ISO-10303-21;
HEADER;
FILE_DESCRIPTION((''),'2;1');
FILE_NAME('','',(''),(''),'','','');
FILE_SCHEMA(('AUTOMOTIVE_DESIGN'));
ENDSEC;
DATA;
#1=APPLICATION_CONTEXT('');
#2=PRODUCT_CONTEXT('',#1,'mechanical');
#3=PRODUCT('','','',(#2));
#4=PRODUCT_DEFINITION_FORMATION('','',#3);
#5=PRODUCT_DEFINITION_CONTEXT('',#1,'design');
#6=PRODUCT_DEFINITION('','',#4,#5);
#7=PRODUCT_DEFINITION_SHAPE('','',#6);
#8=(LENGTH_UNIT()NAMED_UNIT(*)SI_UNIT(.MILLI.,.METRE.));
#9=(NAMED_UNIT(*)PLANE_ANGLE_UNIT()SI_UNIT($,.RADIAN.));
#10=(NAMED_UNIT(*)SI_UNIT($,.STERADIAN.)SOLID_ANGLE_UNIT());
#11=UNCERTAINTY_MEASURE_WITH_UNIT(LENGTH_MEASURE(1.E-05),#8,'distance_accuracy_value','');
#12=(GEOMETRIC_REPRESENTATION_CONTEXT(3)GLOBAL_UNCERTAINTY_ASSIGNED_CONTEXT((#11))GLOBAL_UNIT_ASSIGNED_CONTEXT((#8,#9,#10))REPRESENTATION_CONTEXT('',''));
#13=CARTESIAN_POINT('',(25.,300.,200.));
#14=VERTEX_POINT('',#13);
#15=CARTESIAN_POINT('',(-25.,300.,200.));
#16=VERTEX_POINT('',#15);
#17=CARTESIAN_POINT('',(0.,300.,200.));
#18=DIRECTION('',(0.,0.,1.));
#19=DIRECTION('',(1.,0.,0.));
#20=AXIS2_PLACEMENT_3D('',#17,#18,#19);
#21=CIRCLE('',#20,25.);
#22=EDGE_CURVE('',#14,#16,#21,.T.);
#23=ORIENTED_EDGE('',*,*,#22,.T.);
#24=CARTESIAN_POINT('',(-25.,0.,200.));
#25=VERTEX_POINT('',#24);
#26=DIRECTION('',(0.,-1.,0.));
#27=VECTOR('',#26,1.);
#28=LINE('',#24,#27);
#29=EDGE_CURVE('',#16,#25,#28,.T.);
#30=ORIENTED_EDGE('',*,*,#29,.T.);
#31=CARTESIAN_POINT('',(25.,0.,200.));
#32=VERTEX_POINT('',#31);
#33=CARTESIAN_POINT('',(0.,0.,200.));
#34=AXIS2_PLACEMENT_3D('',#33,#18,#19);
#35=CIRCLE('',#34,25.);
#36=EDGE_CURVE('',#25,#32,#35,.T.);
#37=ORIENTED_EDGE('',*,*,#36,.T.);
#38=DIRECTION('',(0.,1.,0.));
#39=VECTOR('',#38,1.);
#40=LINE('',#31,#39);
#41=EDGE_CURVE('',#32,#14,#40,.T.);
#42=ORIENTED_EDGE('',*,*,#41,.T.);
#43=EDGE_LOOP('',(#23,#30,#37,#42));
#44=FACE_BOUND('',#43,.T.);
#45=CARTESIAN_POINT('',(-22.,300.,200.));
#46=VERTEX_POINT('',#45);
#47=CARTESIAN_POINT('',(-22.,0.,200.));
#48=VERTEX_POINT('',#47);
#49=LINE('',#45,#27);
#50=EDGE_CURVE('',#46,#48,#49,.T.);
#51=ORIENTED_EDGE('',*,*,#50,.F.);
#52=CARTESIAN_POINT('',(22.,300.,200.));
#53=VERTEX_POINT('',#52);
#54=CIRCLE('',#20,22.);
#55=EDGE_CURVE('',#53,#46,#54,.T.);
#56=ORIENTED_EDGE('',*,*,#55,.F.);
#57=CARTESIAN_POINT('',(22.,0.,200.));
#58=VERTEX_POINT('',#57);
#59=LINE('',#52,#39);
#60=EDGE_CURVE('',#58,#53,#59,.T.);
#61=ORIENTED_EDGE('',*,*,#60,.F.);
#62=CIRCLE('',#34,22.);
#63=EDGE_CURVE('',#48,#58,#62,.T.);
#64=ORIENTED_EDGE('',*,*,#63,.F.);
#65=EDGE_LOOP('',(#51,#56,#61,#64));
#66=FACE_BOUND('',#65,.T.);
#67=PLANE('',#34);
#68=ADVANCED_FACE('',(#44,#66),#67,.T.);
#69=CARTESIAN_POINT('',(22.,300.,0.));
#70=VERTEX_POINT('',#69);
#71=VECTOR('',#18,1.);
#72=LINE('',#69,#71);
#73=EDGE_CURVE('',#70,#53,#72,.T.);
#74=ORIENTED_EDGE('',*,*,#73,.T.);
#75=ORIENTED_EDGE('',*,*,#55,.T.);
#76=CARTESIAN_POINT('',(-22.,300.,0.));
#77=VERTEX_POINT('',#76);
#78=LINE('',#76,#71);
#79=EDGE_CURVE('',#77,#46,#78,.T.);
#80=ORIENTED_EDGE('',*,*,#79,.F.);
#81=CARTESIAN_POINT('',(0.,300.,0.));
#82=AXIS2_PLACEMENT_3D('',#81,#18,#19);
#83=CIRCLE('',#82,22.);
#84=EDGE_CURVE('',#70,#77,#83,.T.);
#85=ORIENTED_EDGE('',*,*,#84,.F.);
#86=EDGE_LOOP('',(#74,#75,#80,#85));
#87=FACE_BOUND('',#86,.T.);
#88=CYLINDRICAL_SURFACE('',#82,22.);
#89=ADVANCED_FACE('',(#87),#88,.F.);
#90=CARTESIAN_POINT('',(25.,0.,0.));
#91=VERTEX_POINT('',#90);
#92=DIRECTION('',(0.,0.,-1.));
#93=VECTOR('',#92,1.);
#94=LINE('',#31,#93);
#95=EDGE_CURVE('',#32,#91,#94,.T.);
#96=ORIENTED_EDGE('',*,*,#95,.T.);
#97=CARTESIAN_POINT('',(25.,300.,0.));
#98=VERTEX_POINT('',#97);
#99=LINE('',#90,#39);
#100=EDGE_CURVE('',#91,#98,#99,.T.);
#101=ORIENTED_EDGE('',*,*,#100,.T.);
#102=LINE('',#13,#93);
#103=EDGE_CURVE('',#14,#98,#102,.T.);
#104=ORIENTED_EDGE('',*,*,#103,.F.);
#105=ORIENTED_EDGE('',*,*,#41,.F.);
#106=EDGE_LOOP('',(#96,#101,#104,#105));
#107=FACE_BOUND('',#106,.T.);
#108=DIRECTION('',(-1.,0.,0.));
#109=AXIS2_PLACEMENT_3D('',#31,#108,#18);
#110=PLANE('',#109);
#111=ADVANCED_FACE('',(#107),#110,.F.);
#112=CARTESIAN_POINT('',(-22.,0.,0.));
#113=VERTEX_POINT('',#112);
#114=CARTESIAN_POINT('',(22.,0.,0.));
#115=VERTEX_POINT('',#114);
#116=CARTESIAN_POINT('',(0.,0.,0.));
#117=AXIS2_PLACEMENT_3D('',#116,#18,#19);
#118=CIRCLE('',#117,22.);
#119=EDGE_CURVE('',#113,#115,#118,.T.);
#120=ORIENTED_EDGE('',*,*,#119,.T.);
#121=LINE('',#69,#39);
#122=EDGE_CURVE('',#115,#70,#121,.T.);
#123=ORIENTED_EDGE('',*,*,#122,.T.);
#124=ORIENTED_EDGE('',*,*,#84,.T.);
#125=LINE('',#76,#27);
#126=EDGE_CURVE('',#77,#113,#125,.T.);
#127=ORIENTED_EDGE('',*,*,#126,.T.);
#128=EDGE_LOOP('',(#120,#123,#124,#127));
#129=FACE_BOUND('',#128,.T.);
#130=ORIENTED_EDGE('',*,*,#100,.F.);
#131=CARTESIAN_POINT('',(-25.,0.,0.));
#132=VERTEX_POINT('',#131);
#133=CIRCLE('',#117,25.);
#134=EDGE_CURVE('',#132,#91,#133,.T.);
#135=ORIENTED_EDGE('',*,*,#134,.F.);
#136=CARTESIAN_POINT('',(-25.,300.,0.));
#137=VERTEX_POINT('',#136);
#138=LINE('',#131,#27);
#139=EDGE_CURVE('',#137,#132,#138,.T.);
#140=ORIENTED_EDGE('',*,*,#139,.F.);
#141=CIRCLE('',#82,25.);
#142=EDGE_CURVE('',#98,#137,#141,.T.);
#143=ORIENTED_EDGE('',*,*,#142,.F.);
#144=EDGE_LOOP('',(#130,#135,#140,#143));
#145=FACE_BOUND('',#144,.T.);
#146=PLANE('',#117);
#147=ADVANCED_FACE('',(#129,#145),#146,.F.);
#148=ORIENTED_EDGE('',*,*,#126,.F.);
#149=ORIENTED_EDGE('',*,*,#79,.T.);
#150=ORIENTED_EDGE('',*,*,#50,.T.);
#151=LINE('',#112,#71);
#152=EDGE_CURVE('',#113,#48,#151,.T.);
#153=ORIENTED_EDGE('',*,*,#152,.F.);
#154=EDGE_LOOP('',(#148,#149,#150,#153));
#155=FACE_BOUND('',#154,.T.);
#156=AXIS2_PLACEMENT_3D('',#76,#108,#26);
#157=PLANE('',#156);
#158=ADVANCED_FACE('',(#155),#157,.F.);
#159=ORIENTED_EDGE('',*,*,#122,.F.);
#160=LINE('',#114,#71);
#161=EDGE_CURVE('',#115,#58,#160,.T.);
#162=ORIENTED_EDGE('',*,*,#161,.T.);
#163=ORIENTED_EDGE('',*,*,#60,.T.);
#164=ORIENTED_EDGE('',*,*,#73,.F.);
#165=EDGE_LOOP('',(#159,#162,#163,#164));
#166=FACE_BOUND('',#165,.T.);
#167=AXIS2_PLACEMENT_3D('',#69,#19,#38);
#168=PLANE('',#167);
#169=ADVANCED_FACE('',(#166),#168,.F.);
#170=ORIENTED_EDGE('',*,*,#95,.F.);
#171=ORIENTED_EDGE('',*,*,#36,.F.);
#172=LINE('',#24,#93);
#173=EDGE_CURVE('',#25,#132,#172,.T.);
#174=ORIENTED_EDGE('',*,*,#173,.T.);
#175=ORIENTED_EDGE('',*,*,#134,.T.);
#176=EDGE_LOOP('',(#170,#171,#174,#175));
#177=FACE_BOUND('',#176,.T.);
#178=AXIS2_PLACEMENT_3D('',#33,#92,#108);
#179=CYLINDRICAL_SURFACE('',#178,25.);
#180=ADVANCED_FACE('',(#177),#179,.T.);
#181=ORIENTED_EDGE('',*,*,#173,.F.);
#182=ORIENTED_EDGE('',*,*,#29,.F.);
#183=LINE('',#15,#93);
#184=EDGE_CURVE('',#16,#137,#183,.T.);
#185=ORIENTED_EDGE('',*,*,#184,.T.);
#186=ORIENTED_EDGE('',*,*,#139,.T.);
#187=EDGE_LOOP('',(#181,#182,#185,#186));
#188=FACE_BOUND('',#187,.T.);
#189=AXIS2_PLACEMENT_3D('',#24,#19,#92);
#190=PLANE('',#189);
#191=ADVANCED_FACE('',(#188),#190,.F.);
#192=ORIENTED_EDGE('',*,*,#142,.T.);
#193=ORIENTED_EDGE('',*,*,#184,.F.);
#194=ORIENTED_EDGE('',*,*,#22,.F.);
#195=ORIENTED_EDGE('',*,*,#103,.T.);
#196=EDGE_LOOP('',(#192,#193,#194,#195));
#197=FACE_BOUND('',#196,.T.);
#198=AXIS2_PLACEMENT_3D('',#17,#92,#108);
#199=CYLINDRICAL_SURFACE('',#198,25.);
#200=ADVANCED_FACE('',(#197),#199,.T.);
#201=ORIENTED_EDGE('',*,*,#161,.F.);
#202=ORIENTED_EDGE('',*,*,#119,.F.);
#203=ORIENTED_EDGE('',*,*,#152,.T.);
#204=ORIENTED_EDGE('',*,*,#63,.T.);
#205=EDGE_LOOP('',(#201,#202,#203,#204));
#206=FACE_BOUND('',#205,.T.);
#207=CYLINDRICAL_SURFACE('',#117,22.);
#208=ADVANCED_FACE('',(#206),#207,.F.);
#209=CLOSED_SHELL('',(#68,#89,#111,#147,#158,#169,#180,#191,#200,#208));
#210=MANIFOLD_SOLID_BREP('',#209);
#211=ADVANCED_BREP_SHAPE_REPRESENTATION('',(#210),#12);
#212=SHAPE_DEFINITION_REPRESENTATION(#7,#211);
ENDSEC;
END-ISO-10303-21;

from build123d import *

# Parameters (mm, degrees)
BOSS_EXTRU_1_DEPTH      = 200
ENL_V_MAT_EXTRU_1_DEPTH = 200


with BuildPart() as part:
    # Esquisse1 → Boss.-Extru.1 (new body)
    with BuildSketch(Plane.XY):
        with BuildLine():
            Line((-25, 0), (-25, 300))
            ThreePointArc((-25, 300), (0, 325), (25, 300))
            Line((25, 300), (25, 0))
            ThreePointArc((25, 0), (0, -25), (-25, 0))
        make_face()
    extrude(amount=BOSS_EXTRU_1_DEPTH)

    # Esquisse2 → Enlèv. mat.-Extru.1 (cut)
    with BuildSketch(Plane.XY.offset(200)):
        with BuildLine():
            Line((22, 300), (22, 0))
            ThreePointArc((22, 0), (0, -22), (-22, 0))
            Line((-22, 0), (-22, 300))
            ThreePointArc((-22, 300), (0, 322), (22, 300))
        make_face()
    extrude(amount=-ENL_V_MAT_EXTRU_1_DEPTH, mode=Mode.SUBTRACT)


solid = part.part
